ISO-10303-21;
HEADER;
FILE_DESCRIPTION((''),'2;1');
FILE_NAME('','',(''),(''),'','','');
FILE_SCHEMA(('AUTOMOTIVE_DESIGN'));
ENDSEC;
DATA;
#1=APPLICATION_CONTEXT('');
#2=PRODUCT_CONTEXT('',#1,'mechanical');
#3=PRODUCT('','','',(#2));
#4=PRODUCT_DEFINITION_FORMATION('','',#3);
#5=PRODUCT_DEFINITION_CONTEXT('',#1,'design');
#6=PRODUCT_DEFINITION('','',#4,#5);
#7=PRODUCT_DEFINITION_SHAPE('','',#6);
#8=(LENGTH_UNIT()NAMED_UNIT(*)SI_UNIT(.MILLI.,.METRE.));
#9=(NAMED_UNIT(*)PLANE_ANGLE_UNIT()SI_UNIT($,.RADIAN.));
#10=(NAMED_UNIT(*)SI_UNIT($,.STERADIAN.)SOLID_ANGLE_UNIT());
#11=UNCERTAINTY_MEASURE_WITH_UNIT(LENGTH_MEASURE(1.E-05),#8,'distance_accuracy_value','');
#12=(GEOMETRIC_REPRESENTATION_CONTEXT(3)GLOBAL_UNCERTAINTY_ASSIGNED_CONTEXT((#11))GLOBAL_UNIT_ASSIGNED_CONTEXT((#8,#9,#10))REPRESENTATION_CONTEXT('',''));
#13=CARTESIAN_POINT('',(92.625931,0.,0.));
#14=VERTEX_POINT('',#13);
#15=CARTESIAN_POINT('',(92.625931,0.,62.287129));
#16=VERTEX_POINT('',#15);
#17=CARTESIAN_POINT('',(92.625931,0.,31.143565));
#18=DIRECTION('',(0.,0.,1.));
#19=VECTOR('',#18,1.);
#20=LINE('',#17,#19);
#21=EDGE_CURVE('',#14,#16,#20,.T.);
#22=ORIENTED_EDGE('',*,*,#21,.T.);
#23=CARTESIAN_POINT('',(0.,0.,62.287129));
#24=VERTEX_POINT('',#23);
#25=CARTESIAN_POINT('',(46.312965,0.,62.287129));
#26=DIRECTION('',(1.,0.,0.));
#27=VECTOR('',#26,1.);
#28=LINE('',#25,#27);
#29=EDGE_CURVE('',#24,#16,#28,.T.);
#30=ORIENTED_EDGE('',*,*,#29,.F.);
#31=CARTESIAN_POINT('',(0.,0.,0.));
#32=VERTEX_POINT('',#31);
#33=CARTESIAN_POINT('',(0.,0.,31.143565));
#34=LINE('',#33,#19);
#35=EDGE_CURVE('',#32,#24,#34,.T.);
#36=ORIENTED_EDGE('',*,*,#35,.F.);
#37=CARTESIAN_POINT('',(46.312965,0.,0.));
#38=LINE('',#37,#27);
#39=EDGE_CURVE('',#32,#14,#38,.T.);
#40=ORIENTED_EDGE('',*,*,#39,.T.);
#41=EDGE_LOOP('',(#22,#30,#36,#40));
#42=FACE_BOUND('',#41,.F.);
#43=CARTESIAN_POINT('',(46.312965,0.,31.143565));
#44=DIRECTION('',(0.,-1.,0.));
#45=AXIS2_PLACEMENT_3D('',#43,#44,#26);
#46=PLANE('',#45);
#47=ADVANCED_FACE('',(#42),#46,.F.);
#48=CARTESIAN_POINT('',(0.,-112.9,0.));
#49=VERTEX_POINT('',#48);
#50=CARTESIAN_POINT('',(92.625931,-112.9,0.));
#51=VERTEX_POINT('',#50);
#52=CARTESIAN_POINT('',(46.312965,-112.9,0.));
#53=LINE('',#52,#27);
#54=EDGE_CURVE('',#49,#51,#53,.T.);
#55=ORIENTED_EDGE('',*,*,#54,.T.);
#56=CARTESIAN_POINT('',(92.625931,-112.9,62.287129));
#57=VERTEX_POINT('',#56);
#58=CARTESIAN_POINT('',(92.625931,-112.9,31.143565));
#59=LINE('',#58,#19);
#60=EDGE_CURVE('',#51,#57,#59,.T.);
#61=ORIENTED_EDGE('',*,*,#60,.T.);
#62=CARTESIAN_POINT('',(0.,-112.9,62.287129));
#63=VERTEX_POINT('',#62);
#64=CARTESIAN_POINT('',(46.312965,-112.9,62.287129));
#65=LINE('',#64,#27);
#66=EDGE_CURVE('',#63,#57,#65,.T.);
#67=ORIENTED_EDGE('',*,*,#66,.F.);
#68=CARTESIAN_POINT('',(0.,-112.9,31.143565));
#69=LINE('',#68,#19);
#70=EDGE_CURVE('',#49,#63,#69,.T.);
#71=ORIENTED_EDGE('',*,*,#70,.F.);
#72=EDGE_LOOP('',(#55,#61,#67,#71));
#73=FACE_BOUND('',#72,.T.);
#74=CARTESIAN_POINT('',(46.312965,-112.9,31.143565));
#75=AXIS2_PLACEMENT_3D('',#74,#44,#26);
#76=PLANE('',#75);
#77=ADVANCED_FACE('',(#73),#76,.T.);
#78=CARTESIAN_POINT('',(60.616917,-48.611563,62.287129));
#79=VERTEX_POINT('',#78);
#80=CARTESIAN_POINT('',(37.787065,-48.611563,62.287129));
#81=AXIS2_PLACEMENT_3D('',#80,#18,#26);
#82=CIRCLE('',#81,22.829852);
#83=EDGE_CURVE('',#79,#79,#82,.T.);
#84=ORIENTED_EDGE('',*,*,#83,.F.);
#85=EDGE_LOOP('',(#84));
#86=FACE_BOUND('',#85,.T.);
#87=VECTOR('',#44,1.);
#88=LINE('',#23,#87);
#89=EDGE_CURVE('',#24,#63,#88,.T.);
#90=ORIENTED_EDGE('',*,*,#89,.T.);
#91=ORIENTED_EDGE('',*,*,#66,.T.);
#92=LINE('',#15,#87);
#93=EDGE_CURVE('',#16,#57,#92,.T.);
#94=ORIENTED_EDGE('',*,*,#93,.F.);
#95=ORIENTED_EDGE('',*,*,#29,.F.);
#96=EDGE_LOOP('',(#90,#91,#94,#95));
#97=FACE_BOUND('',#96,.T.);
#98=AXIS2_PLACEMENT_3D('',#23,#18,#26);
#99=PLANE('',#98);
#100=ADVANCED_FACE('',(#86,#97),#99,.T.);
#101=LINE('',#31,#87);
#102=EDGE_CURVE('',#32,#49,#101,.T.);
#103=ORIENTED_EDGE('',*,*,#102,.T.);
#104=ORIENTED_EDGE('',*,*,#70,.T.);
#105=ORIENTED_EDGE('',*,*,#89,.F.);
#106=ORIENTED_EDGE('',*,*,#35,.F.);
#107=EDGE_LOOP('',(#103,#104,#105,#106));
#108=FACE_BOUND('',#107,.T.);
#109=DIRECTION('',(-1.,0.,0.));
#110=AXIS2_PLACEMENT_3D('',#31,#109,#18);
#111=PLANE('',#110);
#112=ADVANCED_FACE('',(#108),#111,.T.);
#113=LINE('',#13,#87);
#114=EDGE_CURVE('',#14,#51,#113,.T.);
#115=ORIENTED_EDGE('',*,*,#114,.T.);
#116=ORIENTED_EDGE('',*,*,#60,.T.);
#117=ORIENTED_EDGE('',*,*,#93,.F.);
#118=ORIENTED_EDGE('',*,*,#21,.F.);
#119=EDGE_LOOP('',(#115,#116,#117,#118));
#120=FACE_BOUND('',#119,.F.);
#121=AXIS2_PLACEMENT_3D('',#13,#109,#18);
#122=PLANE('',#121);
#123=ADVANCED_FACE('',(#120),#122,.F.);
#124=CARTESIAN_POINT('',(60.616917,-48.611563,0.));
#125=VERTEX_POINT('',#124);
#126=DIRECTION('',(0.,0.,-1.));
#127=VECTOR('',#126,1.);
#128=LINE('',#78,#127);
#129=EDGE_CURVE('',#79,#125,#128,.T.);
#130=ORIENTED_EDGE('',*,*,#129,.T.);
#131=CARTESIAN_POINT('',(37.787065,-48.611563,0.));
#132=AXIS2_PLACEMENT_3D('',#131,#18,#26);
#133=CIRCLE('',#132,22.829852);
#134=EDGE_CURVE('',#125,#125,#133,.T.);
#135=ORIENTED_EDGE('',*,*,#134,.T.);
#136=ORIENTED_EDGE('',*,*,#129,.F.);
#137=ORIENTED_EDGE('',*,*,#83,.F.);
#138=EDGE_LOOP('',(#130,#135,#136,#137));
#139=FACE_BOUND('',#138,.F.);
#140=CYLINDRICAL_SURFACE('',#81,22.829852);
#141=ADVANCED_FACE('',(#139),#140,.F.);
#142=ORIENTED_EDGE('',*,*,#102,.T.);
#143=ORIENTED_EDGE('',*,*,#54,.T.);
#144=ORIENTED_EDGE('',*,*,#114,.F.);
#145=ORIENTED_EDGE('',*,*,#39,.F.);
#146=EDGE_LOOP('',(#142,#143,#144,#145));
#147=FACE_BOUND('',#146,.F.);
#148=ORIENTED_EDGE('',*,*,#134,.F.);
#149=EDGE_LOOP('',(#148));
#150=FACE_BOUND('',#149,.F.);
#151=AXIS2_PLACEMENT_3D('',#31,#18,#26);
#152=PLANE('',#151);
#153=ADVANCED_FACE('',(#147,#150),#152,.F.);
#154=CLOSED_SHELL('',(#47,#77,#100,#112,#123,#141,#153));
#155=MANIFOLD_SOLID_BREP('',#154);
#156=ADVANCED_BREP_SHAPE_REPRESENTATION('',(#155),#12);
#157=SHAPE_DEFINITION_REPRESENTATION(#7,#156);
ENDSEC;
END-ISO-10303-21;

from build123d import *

# Parameters (mm, degrees)
F0_W     = 92.6259309053
F0_H     = 62.2871294618
F1_DEPTH = 112.9
F2_R     = 22.8298524691
F3_DEPTH = 124.5


with BuildPart() as f1:
    # F0 (on Front) → F1 (new body)
    with BuildSketch(Plane.XZ):
        with Locations((46.3129654527, 31.1435647309)):
            Rectangle(F0_W, F0_H)
    extrude(amount=F1_DEPTH)

    # F2 (on face) → F3 (cut)
    with BuildSketch(Plane.XY.offset(62.2871294618)):
        with Locations((37.7870649099, -48.6115626991)):
            Circle(F2_R)
    extrude(amount=-F3_DEPTH, mode=Mode.SUBTRACT)


solid = f1.part
